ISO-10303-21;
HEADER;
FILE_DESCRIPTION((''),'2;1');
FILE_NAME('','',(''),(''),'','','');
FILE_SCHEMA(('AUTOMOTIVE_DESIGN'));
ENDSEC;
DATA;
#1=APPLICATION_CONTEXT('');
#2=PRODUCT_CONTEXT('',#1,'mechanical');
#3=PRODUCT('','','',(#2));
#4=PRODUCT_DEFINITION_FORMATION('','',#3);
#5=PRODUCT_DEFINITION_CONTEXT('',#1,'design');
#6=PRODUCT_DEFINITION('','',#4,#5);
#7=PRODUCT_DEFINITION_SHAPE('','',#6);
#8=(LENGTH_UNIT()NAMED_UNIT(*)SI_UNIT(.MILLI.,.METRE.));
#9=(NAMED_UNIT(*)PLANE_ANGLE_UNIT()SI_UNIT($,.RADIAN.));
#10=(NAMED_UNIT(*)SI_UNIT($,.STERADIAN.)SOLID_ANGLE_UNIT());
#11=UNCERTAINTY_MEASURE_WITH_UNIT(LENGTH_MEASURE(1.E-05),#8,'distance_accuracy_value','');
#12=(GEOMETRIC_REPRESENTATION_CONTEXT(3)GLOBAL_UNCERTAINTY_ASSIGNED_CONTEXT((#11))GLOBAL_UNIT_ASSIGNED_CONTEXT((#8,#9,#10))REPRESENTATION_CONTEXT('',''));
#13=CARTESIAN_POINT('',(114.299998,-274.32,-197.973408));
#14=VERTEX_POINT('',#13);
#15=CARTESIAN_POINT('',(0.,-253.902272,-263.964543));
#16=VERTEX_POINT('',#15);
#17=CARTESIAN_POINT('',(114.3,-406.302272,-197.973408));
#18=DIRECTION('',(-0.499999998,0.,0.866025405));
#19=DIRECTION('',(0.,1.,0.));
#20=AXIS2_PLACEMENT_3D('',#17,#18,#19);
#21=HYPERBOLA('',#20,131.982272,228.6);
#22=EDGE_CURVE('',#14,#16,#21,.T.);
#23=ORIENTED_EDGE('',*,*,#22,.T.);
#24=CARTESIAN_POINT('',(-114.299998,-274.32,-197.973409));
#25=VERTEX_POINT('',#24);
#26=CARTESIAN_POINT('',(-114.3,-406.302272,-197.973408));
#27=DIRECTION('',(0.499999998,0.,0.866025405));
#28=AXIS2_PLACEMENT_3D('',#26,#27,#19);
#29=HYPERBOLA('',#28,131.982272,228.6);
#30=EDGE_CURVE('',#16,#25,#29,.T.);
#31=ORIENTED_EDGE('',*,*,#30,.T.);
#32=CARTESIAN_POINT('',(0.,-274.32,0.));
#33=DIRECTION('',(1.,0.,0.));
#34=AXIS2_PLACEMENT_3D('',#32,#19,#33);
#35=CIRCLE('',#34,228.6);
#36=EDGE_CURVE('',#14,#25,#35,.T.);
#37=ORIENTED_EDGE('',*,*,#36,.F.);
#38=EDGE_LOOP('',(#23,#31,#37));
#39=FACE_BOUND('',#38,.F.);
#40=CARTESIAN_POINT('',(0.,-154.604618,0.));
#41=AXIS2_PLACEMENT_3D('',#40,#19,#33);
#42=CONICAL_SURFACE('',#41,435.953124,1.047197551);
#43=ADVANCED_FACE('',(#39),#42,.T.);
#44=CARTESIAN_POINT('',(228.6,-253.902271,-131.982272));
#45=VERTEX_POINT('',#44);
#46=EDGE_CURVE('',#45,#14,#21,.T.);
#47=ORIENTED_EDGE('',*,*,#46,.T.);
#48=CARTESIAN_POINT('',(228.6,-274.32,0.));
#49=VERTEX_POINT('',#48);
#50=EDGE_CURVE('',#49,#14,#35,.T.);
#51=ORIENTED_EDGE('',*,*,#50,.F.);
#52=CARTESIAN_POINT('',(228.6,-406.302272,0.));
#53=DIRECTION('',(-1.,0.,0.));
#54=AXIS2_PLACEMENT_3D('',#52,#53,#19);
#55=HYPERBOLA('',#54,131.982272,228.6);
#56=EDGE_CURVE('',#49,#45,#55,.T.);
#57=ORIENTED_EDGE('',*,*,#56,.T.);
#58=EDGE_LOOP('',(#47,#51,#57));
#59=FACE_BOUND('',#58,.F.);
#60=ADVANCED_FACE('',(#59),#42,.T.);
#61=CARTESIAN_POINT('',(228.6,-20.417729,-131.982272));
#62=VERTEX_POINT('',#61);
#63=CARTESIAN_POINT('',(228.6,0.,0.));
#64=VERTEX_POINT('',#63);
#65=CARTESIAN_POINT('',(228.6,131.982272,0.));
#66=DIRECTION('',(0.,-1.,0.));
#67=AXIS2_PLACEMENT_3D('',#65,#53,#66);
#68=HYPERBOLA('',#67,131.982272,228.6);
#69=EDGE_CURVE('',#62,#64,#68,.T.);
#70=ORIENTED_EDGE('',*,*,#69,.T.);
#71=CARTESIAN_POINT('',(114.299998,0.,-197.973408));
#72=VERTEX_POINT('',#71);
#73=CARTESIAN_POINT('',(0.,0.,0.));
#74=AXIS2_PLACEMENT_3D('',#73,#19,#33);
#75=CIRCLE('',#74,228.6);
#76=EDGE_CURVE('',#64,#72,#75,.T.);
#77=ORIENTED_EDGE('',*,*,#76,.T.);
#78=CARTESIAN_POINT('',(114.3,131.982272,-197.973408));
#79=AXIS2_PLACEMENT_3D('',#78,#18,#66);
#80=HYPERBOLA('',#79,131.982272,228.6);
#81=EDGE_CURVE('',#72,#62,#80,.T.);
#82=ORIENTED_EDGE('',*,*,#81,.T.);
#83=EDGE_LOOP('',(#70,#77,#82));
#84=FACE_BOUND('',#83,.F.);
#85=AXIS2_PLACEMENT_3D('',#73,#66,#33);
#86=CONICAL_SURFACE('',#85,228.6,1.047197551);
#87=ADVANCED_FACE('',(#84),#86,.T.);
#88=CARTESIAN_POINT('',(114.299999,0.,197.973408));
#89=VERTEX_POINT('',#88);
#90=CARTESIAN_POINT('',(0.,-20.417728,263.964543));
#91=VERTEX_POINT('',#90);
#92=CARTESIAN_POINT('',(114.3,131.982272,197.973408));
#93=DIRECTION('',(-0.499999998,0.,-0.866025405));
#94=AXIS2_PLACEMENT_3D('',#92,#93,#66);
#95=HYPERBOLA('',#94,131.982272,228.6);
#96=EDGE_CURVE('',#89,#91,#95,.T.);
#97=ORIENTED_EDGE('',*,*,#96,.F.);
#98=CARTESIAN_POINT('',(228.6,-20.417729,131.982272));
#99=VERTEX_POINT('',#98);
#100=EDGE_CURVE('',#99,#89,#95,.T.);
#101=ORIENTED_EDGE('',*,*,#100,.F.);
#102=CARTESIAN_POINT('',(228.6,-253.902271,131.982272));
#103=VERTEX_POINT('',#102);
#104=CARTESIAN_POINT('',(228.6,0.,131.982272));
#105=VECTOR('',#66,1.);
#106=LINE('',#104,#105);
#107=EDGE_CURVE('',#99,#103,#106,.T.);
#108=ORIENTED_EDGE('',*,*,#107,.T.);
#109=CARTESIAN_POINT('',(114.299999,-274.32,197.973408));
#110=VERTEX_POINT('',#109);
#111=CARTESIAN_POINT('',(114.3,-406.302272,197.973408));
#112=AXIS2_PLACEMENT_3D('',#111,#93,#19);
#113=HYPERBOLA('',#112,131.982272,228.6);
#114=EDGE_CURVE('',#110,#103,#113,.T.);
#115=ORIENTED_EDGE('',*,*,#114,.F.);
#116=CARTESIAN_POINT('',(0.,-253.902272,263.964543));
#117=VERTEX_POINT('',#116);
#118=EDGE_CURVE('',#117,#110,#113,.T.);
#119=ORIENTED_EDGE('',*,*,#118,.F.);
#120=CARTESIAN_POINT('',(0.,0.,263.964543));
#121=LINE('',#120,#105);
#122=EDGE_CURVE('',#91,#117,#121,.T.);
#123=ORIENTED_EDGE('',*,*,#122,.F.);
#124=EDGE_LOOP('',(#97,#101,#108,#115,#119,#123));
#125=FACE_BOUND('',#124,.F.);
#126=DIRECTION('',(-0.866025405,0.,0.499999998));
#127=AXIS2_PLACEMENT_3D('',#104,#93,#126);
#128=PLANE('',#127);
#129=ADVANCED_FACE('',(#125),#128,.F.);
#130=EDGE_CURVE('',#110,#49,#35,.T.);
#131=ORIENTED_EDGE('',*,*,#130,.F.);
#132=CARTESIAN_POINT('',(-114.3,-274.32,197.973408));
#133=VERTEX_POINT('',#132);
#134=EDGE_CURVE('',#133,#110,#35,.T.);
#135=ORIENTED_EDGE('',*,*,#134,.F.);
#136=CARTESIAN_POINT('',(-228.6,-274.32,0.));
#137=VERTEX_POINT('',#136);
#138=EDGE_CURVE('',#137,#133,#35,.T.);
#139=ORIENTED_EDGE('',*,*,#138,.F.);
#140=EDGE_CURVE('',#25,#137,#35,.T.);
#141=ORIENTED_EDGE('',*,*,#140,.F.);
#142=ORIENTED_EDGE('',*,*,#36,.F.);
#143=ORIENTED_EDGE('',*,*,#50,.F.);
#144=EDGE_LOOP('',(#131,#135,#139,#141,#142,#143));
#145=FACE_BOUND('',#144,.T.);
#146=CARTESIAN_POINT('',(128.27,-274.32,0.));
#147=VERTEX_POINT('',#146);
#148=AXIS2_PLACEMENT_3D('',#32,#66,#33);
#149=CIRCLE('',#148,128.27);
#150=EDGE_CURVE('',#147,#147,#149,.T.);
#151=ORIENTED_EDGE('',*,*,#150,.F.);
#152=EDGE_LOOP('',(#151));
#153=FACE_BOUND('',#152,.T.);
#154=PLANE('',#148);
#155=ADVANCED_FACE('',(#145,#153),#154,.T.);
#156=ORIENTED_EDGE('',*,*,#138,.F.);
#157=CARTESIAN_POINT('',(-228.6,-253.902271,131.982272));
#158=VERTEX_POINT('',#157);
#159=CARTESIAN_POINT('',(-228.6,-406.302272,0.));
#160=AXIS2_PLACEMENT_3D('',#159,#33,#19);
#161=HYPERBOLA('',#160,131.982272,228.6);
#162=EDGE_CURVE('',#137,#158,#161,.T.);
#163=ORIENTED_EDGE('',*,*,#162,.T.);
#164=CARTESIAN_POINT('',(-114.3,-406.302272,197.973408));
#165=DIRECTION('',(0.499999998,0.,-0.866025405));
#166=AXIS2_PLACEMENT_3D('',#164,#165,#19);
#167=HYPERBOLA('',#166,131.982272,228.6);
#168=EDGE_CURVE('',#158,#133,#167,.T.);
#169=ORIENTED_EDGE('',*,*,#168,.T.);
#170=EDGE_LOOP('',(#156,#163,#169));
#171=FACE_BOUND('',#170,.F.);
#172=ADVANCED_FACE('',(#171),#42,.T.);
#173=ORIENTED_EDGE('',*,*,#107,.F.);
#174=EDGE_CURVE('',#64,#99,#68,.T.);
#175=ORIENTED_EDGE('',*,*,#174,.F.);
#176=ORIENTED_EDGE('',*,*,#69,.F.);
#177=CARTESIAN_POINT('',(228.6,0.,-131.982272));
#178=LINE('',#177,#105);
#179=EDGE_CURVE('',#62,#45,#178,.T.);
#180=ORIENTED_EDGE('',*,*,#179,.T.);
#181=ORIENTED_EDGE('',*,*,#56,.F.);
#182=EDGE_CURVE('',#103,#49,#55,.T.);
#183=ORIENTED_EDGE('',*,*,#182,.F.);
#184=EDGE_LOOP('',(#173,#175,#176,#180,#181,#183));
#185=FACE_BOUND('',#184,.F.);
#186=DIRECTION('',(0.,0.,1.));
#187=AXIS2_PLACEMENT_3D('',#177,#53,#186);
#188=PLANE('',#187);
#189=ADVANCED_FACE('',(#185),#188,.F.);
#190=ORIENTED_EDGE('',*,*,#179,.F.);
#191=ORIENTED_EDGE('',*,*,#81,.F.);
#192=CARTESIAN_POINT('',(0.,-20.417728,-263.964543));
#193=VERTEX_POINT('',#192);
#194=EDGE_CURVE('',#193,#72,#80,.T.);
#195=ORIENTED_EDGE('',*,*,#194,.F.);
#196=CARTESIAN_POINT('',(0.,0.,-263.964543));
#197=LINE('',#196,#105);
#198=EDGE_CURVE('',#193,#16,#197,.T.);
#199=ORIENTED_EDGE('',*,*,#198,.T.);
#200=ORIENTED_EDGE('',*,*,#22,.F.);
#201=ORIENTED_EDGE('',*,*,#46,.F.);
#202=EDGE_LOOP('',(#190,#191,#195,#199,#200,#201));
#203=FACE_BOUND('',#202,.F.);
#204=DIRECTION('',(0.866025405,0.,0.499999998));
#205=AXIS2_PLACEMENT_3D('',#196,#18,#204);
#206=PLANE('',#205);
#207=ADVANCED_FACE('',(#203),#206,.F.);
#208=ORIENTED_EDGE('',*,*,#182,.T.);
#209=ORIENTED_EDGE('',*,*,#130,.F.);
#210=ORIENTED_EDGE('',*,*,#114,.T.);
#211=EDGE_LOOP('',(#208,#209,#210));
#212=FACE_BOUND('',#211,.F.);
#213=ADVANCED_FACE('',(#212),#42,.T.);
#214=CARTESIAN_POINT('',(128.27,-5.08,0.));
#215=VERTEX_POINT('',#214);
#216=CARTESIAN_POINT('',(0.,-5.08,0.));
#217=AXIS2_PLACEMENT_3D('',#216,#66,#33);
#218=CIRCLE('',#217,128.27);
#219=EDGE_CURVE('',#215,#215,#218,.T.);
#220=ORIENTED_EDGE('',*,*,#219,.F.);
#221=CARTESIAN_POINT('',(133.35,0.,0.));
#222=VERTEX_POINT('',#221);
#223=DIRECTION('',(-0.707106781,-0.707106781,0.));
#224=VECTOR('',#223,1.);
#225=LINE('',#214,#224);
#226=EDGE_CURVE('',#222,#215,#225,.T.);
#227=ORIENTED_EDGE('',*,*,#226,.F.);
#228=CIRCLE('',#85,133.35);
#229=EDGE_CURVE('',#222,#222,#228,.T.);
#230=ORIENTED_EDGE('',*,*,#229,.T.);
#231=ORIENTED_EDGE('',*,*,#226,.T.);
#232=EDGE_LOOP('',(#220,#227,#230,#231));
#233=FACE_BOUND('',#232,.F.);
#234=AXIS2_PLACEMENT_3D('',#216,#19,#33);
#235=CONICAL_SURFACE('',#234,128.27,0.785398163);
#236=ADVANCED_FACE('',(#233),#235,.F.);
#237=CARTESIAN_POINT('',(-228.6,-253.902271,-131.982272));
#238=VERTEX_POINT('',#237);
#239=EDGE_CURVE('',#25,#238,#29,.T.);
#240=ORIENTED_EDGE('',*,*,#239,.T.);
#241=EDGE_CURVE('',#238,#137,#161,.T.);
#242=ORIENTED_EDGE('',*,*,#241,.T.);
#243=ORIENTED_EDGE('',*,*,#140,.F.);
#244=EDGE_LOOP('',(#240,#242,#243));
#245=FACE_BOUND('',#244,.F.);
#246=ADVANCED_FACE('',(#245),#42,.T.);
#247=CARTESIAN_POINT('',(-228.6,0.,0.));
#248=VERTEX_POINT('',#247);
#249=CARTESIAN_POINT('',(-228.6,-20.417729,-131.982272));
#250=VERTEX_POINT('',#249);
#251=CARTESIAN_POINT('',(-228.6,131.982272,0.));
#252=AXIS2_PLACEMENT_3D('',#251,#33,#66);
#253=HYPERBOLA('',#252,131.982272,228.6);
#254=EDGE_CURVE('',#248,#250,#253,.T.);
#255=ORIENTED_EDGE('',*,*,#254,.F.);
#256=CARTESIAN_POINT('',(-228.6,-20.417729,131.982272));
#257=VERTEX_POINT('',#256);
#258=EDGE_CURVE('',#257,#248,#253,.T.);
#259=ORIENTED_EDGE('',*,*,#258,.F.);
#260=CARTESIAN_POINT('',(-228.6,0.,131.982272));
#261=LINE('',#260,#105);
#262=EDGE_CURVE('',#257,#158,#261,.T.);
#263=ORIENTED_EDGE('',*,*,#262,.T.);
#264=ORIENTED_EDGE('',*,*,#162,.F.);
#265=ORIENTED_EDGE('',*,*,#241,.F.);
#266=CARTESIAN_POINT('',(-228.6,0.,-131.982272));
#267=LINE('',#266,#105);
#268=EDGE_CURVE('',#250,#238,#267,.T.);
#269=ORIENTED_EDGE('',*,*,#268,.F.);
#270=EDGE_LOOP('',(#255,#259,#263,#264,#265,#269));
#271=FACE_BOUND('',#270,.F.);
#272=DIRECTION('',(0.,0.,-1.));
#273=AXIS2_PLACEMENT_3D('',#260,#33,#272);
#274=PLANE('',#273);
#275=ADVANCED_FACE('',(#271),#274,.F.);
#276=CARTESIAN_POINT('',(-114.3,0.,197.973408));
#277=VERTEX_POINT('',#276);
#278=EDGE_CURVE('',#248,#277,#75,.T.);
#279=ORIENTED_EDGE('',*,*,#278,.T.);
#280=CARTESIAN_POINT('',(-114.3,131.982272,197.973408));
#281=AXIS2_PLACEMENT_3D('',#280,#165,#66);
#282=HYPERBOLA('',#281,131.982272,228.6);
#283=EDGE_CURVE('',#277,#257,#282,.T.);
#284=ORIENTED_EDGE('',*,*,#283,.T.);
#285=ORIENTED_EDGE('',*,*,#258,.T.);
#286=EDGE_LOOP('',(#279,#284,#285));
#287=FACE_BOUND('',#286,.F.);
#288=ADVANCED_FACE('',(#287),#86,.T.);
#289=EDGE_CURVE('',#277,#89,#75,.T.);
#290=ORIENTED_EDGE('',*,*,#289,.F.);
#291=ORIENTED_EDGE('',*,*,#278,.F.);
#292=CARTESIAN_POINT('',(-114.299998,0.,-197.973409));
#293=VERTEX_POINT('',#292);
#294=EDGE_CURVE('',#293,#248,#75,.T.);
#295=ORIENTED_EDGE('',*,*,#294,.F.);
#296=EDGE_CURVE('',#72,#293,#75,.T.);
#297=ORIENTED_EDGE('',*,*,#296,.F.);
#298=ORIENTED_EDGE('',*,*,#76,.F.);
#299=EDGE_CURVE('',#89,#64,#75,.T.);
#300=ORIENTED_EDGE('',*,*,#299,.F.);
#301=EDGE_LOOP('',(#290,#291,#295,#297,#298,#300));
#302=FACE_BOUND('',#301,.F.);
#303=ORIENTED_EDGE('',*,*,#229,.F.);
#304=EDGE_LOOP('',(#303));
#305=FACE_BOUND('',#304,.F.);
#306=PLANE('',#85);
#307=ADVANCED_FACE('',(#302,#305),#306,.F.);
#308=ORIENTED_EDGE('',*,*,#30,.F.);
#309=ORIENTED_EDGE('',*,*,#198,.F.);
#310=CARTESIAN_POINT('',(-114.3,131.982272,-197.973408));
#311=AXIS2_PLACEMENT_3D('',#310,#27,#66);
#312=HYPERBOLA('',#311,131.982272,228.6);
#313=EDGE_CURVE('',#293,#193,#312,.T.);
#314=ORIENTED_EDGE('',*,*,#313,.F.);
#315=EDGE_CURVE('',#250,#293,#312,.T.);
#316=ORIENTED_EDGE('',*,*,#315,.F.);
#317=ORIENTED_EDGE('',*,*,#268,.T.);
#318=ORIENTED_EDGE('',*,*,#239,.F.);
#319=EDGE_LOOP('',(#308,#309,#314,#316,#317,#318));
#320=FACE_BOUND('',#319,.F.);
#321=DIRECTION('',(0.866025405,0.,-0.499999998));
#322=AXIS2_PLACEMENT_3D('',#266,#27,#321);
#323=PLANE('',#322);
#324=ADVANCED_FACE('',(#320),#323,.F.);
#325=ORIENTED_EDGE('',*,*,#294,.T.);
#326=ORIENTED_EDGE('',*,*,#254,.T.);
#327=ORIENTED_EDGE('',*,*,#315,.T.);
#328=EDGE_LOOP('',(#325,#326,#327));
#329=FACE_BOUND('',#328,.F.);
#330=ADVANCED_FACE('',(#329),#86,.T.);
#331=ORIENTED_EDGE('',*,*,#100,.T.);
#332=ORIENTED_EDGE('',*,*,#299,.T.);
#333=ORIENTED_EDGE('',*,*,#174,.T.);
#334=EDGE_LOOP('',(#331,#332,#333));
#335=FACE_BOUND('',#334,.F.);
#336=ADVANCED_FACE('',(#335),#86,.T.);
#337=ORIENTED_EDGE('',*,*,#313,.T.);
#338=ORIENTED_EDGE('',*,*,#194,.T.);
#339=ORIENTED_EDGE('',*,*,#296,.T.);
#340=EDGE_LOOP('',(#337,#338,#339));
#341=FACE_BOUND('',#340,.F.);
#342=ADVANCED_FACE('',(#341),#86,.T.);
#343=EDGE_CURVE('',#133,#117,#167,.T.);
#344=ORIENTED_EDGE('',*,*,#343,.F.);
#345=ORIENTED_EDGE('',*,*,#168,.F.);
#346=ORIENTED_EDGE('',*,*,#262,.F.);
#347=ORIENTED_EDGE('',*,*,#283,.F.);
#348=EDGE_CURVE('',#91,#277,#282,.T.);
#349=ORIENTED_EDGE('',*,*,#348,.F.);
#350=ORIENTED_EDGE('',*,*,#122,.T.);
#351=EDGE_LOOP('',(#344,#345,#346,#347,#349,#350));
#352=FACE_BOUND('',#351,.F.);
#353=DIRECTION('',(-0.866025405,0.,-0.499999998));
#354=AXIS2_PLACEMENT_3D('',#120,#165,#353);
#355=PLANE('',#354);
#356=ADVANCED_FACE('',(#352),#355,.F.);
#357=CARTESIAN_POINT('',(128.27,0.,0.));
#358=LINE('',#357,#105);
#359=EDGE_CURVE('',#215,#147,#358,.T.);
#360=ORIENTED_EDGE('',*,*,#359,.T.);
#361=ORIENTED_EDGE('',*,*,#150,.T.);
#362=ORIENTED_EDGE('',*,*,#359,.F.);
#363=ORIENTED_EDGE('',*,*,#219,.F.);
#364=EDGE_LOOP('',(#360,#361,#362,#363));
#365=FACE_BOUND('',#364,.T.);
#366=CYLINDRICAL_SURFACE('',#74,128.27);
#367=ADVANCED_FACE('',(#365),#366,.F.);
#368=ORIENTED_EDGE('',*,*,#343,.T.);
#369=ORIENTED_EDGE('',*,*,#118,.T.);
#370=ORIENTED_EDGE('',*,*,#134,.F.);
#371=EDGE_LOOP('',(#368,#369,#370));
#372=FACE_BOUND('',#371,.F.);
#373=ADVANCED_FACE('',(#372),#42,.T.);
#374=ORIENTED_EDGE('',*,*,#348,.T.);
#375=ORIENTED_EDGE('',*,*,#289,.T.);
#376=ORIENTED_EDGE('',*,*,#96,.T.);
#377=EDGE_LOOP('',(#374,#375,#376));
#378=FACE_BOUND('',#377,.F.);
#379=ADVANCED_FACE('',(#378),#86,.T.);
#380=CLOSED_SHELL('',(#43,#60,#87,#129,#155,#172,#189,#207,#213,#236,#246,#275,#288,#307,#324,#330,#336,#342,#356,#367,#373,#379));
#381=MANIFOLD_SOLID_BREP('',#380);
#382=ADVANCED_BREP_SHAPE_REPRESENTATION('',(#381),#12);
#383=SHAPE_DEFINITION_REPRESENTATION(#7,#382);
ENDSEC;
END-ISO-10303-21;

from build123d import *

# Parameters (mm, degrees)
F0_R     = 128.27
F1_DEPTH = 274.32
F6_SIZE  = 5.08


with BuildPart() as f1:
    # F0 (on Front) → F1 (new body)
    with BuildSketch(Plane.XZ):
        Polygon((228.6, -131.982272), (228.6, 131.982272), (0, 263.964543), (-228.6, 131.982272), (-228.6, -131.982272), (0, -263.964543), align=None)
        Circle(F0_R, mode=Mode.SUBTRACT)
    extrude(amount=F1_DEPTH)


with BuildPart() as f2_1:
    # F2: copy of F1
    add(f1.part)

    # F4 (on Top) → F5 (revolve, cut)
    with BuildSketch(Plane.XY):
        Polygon((435.953124, -154.604618), (228.6, -274.32), (435.953124, -274.32), align=None)
        Polygon((228.6, 0), (435.953124, -119.715382), (435.953124, 0), align=None)
    revolve(axis=Axis((0, -137.16, 0), (0, 1, 0)), mode=Mode.SUBTRACT)

    # F6
    f6_edges = [f2_1.edges().sort_by_distance(p)[0] for p in [
        (-128.27, 0, 0),
    ]]
    chamfer(f6_edges, length=F6_SIZE)


solid = f2_1.part
